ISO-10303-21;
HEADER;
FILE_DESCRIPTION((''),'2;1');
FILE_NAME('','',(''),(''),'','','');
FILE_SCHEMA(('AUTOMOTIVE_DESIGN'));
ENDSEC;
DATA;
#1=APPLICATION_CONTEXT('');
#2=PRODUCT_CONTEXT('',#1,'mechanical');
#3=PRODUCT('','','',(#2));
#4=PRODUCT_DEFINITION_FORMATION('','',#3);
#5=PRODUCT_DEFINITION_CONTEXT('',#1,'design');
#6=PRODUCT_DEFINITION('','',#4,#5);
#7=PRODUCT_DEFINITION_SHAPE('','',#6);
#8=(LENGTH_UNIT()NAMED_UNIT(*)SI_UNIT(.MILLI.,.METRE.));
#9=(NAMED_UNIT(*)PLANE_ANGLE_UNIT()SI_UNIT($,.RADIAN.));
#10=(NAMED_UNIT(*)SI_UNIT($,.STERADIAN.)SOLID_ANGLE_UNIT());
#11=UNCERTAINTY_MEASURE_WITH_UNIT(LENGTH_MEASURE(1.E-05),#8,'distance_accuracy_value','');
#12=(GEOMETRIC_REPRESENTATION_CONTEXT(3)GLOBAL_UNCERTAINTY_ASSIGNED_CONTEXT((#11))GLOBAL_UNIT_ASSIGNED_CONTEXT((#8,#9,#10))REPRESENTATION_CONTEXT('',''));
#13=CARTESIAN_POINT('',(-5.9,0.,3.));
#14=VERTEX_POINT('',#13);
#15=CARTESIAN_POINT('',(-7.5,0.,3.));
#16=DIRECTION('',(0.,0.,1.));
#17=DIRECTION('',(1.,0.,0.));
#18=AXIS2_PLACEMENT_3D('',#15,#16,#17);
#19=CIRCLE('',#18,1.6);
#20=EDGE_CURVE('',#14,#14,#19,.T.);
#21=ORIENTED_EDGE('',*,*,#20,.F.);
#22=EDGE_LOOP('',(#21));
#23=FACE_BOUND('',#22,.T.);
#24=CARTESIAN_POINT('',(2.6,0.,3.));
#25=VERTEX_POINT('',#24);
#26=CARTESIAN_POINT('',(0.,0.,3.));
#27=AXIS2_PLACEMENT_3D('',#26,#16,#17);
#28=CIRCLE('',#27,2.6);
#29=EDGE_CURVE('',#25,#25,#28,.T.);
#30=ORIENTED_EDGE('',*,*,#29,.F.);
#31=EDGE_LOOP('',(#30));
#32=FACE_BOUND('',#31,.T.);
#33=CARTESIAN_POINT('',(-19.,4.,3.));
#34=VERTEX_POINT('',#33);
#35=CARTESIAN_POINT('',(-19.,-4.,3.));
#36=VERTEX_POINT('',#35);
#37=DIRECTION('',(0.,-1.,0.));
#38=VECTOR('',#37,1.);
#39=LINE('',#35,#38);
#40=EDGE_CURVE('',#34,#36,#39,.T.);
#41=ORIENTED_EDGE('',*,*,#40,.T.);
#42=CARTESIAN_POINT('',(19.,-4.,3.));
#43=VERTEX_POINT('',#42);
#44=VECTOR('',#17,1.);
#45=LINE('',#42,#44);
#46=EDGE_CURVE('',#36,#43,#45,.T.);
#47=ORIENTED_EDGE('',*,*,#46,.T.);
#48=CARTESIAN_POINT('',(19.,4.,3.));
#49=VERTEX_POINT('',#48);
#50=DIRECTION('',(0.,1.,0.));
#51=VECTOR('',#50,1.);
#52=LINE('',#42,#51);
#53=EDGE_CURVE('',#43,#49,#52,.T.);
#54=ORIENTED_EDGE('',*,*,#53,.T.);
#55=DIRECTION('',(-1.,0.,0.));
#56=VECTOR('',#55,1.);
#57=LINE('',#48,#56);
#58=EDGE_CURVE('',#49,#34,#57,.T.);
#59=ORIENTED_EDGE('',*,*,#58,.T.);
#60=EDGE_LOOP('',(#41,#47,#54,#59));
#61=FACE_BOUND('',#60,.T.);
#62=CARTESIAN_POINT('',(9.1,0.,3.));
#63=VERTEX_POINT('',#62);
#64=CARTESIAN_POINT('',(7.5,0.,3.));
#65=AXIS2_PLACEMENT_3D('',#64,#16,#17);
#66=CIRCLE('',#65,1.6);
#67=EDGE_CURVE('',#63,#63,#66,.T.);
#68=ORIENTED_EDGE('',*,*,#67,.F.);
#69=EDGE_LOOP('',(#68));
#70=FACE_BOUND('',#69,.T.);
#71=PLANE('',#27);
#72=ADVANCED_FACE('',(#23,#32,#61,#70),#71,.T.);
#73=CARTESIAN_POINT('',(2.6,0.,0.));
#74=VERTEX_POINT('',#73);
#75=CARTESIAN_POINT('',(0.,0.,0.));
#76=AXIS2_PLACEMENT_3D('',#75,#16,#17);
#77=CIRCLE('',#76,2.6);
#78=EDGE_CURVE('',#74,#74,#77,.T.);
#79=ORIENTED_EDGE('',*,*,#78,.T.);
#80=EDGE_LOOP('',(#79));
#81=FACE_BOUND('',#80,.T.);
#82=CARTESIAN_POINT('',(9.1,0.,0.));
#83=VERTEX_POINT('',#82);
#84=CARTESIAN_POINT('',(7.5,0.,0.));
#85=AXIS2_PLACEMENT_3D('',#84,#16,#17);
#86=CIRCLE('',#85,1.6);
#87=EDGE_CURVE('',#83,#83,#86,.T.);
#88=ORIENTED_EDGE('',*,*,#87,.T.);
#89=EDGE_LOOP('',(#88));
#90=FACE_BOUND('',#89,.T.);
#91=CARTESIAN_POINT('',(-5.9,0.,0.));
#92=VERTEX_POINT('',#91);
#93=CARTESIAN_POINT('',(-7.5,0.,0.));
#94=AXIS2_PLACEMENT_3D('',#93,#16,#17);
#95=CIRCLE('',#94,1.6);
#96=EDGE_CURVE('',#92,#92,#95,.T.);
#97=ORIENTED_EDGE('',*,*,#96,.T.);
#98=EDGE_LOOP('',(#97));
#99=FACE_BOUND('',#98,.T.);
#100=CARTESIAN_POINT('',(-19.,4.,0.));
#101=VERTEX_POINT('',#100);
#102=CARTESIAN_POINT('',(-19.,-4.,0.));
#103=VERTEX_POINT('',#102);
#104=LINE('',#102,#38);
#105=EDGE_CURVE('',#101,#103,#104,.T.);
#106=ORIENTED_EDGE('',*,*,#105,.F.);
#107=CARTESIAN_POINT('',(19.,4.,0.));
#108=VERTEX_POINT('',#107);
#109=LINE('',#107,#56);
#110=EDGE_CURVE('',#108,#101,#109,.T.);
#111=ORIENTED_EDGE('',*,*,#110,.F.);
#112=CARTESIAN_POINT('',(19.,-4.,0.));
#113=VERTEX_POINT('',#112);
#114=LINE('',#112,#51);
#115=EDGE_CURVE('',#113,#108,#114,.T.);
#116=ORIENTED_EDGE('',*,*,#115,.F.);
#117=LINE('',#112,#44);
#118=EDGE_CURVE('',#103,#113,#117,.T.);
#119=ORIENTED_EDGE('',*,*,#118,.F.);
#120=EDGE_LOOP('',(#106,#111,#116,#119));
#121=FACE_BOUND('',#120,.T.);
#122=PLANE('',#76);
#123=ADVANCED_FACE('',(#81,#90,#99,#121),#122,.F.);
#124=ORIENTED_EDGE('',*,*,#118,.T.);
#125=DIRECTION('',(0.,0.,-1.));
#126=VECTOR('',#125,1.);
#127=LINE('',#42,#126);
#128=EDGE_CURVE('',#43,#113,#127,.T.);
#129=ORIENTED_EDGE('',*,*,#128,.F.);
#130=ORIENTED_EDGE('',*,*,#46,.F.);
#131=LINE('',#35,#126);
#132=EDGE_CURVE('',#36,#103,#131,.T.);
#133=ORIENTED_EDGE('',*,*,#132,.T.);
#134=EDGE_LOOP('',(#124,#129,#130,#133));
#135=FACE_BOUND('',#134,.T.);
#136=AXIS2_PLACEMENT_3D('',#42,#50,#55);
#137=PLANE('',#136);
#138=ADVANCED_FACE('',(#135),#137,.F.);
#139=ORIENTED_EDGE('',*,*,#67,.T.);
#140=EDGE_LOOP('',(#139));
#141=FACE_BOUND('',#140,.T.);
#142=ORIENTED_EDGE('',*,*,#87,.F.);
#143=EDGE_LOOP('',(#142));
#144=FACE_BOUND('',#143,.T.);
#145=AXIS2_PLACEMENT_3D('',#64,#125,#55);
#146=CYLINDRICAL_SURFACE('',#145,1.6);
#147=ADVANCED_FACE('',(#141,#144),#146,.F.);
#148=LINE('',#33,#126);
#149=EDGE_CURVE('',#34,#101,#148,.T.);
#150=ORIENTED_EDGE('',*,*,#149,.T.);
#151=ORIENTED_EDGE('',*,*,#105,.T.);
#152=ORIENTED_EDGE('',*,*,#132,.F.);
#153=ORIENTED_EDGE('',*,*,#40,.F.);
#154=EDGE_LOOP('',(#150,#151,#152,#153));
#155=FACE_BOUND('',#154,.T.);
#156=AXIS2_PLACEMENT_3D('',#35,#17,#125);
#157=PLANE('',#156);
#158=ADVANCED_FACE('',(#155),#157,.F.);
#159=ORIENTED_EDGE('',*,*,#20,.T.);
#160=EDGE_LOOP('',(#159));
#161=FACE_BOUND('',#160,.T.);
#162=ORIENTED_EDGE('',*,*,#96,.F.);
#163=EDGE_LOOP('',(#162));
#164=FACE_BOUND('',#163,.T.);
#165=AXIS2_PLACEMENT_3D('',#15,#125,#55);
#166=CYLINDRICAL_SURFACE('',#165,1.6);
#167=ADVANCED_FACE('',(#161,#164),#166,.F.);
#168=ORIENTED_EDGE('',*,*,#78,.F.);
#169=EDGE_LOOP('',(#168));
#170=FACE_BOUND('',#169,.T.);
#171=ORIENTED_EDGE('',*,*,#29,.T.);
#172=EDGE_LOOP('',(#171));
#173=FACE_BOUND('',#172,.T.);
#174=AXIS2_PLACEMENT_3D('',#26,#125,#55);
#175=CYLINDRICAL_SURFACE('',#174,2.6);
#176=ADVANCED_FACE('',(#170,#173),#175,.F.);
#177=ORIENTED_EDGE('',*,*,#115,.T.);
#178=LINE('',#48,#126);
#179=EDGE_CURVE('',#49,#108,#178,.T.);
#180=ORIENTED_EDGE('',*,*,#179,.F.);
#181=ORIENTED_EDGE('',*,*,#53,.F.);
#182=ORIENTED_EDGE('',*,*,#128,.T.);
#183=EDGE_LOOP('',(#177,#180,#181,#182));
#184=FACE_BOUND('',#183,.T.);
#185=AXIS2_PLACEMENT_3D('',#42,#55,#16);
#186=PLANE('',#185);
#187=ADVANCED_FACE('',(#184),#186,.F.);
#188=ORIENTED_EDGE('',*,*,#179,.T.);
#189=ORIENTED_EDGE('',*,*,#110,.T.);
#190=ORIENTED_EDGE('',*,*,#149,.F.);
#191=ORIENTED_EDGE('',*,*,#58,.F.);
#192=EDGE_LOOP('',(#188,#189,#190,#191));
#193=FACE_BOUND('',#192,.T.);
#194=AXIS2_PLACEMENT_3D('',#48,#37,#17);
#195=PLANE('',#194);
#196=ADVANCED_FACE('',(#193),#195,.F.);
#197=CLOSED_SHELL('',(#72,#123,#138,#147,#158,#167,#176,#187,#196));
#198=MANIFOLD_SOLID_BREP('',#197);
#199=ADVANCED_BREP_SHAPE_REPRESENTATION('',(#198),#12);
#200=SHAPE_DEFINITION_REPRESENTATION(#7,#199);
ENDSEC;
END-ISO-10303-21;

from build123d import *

# Parameters (mm, degrees)
SKETCH1_W           = 38
SKETCH1_H           = 8
SKETCH1_R           = 2.6
SKETCH1_R_2         = 1.6
BOSS_EXTRUDE1_DEPTH = 3


with BuildPart() as part:
    # Sketch1 → Boss-Extrude1 (new body)
    with BuildSketch(Plane.XY):
        Rectangle(SKETCH1_W, SKETCH1_H)
        Circle(SKETCH1_R, mode=Mode.SUBTRACT)
        with Locations((-7.5, 0)):
            Circle(SKETCH1_R_2, mode=Mode.SUBTRACT)
        with Locations((7.5, 0)):
            Circle(SKETCH1_R_2, mode=Mode.SUBTRACT)
    extrude(amount=BOSS_EXTRUDE1_DEPTH)


solid = part.part
